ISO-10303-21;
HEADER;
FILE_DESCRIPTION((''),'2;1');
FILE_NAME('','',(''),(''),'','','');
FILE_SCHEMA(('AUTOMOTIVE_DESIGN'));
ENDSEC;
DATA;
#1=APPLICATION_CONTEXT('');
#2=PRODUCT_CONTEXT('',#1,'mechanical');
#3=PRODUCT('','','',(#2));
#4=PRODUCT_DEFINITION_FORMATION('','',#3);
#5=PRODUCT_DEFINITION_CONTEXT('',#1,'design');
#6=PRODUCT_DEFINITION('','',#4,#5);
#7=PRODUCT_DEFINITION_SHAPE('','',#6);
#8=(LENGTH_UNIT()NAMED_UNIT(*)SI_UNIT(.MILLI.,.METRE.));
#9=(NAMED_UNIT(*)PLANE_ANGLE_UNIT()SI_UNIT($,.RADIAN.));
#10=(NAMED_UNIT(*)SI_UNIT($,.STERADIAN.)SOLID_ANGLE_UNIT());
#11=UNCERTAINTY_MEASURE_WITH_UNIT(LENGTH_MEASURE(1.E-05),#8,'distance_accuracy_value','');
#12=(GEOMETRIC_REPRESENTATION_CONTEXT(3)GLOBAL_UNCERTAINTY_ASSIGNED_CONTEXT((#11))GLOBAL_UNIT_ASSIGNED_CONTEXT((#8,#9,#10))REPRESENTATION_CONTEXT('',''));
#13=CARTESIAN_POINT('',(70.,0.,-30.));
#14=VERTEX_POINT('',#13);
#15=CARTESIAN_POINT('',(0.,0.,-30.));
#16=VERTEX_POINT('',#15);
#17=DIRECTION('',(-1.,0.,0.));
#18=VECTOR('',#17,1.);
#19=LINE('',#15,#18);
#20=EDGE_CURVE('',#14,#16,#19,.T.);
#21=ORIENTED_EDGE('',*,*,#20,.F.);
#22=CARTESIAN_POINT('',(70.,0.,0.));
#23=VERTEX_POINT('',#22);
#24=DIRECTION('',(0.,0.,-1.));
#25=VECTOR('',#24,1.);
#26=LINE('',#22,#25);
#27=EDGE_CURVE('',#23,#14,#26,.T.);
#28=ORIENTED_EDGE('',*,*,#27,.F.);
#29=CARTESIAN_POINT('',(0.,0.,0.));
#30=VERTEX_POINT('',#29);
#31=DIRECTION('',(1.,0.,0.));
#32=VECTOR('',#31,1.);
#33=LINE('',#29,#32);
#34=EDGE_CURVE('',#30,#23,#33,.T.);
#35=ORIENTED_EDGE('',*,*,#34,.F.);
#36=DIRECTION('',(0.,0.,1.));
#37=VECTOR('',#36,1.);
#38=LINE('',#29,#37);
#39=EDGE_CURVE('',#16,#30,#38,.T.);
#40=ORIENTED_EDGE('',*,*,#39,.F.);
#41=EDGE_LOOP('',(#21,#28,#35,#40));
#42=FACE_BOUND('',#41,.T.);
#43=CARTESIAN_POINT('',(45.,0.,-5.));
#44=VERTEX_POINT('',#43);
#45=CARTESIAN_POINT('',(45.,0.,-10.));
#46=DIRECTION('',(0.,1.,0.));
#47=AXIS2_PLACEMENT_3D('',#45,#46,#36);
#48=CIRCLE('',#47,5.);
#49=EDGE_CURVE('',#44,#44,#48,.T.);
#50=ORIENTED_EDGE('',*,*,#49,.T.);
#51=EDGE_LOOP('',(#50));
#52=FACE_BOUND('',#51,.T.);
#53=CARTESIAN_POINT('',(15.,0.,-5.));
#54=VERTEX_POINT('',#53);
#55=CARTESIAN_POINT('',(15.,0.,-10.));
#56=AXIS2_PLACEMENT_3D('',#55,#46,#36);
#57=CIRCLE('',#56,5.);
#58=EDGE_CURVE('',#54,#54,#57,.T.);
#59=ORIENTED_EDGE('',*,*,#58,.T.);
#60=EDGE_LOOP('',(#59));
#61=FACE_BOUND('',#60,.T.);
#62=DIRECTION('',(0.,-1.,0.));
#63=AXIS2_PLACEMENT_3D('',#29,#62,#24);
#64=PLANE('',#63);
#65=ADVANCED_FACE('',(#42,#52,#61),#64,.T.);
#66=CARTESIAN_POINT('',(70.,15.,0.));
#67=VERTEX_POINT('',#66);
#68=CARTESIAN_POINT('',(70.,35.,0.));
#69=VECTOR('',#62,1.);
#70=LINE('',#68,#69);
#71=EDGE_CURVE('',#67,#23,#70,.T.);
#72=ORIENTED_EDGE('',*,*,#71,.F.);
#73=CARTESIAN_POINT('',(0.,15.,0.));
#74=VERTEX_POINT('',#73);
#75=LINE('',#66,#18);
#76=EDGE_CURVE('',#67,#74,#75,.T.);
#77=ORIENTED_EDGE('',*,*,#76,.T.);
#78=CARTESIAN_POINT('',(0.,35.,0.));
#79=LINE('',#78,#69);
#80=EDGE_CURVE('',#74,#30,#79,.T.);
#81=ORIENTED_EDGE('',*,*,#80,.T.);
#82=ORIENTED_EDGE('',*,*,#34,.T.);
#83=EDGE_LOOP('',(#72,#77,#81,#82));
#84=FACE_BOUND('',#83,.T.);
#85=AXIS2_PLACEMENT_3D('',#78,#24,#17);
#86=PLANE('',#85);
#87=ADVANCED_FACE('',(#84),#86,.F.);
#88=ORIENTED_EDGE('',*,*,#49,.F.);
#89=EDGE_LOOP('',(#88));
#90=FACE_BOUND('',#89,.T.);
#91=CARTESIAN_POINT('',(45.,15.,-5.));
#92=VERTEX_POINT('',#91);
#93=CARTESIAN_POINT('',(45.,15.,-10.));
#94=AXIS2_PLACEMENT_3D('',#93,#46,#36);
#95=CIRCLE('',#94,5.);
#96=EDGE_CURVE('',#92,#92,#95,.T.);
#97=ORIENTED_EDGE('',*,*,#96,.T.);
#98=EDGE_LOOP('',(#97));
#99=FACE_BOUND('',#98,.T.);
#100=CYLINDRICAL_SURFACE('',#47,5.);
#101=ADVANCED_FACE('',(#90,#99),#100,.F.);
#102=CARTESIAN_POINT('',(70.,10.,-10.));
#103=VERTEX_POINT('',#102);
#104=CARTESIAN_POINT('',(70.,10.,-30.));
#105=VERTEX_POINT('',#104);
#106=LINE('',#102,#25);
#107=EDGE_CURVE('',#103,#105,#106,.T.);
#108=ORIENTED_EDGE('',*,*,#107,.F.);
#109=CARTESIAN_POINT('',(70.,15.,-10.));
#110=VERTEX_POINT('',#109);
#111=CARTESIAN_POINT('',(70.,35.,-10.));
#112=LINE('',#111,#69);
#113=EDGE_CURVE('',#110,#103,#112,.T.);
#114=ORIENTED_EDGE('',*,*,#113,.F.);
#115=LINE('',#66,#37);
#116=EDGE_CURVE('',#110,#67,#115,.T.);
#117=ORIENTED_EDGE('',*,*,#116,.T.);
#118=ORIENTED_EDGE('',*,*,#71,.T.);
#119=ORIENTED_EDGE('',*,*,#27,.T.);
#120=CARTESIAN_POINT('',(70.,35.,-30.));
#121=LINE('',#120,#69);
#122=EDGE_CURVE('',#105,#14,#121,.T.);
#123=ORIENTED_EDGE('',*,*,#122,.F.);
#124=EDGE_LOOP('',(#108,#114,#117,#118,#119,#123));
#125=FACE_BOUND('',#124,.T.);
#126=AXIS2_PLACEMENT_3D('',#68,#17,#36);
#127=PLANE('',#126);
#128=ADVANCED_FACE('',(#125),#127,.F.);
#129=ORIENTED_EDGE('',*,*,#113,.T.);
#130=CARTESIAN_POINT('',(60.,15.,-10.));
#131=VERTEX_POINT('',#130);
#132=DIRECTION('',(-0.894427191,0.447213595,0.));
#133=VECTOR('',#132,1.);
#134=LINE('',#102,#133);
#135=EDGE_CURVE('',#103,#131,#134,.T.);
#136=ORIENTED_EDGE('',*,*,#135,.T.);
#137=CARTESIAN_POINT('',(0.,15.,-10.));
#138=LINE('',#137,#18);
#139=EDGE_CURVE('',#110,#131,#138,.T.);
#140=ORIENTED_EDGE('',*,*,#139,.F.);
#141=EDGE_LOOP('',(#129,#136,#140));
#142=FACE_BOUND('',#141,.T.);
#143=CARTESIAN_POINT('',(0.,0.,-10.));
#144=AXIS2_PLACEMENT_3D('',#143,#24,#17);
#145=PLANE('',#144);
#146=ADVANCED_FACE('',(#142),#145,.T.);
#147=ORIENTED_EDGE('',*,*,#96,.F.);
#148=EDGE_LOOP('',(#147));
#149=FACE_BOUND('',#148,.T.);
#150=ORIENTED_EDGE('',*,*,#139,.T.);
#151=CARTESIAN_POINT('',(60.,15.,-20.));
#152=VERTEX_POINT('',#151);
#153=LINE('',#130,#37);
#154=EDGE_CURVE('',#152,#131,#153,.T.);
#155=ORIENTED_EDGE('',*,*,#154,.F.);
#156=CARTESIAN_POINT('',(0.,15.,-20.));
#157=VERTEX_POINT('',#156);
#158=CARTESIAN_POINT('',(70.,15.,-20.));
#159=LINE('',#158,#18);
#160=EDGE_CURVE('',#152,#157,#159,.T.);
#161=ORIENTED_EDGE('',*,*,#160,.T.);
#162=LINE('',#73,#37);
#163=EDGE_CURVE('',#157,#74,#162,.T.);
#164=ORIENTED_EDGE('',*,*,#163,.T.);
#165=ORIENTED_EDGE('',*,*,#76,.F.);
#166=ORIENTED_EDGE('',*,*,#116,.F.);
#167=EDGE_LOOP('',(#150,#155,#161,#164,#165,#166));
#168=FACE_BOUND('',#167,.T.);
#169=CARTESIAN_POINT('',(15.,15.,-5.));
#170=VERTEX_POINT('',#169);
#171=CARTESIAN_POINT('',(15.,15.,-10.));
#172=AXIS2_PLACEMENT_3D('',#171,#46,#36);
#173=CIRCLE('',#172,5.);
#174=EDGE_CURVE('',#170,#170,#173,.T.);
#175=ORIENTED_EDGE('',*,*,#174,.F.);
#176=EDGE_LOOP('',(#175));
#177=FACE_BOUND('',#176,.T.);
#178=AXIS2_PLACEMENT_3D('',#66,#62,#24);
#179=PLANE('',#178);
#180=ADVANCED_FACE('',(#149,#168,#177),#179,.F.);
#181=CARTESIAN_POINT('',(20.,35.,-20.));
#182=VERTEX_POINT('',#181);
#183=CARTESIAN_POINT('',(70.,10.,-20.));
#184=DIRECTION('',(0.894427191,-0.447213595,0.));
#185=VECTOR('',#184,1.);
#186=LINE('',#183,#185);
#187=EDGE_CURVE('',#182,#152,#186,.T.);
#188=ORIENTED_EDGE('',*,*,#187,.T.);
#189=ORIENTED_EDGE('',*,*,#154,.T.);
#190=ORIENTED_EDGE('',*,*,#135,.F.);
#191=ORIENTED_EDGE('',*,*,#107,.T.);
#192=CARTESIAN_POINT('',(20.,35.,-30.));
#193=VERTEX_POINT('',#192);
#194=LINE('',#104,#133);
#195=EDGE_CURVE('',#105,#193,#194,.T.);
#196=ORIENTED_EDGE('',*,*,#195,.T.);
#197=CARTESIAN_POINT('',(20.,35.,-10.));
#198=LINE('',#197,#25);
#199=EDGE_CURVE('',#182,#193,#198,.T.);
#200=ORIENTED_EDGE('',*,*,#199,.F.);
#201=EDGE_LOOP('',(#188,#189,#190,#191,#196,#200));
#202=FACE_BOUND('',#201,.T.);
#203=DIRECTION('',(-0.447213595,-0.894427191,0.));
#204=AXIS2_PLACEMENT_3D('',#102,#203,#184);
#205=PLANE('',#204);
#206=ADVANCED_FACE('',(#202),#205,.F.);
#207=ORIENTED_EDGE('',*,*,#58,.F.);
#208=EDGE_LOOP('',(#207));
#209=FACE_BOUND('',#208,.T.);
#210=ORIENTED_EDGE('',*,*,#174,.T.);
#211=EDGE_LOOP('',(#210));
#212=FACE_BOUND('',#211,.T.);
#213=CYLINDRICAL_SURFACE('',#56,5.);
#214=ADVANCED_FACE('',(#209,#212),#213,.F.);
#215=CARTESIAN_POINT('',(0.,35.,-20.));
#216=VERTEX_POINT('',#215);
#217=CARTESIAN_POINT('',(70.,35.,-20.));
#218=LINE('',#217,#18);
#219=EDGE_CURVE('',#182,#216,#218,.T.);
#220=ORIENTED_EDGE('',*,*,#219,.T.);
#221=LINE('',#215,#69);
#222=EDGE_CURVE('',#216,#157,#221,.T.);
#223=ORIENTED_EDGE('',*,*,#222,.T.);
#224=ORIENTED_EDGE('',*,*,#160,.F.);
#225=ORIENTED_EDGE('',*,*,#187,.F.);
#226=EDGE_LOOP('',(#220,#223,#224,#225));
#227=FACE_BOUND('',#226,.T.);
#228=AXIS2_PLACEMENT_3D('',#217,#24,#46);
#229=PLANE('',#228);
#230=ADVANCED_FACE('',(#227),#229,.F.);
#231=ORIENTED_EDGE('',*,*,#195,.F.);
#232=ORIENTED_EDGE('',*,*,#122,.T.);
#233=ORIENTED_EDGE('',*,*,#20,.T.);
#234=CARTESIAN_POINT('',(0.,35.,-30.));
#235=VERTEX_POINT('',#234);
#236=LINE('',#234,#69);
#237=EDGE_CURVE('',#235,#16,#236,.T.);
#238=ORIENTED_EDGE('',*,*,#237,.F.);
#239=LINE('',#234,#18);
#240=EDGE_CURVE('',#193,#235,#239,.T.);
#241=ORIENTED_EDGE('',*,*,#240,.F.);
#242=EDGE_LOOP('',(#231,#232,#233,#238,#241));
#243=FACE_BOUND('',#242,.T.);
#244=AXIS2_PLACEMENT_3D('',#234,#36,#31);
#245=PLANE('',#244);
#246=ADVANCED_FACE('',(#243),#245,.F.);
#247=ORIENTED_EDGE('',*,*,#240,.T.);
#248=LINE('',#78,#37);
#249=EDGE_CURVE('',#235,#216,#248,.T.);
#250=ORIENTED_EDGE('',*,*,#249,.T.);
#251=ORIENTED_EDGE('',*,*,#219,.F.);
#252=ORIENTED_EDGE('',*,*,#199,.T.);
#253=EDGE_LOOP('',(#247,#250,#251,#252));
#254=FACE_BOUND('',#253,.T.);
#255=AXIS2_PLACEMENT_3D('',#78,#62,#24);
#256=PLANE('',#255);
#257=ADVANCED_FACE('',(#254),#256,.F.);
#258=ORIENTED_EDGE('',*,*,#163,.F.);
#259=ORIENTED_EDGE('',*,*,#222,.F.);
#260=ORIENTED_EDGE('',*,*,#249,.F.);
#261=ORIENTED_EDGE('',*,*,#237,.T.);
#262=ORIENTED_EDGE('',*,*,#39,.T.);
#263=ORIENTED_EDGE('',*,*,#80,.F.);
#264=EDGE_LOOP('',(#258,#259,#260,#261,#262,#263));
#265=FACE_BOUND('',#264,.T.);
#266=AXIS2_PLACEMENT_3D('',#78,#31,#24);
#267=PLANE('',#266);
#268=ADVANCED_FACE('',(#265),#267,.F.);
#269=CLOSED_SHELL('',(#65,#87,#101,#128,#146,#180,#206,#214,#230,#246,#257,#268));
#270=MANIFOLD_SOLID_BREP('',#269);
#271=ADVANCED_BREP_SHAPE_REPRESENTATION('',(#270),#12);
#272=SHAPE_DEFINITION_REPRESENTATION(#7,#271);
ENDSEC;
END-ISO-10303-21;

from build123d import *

# Parameters (mm, degrees)
SKETCH1_W           = 70
SKETCH1_H           = 30
BOSS_EXTRUDE1_DEPTH = 35
CUT_EXTRUDE1_DEPTH  = 20
SKETCH3_W           = 20
SKETCH3_H           = 20
CUT_EXTRUDE2_DEPTH  = 71
SKETCH4_R           = 5
CUT_EXTRUDE3_DEPTH  = 16
SKETCH5_R           = 5
CUT_EXTRUDE4_DEPTH  = 16


with BuildPart() as part:
    # Sketch1 → Boss-Extrude1 (new body)
    with BuildSketch(Plane(origin=(0, 0, 0), x_dir=(1, 0, 0), z_dir=(0, 1, 0))):
        with Locations((35, 15)):
            Rectangle(SKETCH1_W, SKETCH1_H)
    extrude(amount=BOSS_EXTRUDE1_DEPTH)

    # Sketch2 → Cut-Extrude1 (cut)
    with BuildSketch(Plane(origin=(0, 0, -30), x_dir=(-1, 0, 0), z_dir=(0, 0, -1))):
        Polygon((-70, 35), (-70, 10), (-20, 35), align=None)
    extrude(amount=-CUT_EXTRUDE1_DEPTH, mode=Mode.SUBTRACT)

    # Sketch3 → Cut-Extrude2 (cut, through all)
    with BuildSketch(Plane.ZY):
        with Locations((-10, 25)):
            Rectangle(SKETCH3_W, SKETCH3_H)
    extrude(amount=-CUT_EXTRUDE2_DEPTH, mode=Mode.SUBTRACT)

    # Sketch4 → Cut-Extrude3 (cut, through all)
    with BuildSketch(Plane(origin=(0, 15, 0), x_dir=(1, 0, 0), z_dir=(0, 1, 0))):
        with Locations((15, 10)):
            Circle(SKETCH4_R)
    extrude(amount=-CUT_EXTRUDE3_DEPTH, mode=Mode.SUBTRACT)

    # Sketch5 → Cut-Extrude4 (cut, through all)
    with BuildSketch(Plane(origin=(0, 15, 0), x_dir=(1, 0, 0), z_dir=(0, 1, 0))):
        with Locations((45, 10)):
            Circle(SKETCH5_R)
    extrude(amount=-CUT_EXTRUDE4_DEPTH, mode=Mode.SUBTRACT)


solid = part.part
